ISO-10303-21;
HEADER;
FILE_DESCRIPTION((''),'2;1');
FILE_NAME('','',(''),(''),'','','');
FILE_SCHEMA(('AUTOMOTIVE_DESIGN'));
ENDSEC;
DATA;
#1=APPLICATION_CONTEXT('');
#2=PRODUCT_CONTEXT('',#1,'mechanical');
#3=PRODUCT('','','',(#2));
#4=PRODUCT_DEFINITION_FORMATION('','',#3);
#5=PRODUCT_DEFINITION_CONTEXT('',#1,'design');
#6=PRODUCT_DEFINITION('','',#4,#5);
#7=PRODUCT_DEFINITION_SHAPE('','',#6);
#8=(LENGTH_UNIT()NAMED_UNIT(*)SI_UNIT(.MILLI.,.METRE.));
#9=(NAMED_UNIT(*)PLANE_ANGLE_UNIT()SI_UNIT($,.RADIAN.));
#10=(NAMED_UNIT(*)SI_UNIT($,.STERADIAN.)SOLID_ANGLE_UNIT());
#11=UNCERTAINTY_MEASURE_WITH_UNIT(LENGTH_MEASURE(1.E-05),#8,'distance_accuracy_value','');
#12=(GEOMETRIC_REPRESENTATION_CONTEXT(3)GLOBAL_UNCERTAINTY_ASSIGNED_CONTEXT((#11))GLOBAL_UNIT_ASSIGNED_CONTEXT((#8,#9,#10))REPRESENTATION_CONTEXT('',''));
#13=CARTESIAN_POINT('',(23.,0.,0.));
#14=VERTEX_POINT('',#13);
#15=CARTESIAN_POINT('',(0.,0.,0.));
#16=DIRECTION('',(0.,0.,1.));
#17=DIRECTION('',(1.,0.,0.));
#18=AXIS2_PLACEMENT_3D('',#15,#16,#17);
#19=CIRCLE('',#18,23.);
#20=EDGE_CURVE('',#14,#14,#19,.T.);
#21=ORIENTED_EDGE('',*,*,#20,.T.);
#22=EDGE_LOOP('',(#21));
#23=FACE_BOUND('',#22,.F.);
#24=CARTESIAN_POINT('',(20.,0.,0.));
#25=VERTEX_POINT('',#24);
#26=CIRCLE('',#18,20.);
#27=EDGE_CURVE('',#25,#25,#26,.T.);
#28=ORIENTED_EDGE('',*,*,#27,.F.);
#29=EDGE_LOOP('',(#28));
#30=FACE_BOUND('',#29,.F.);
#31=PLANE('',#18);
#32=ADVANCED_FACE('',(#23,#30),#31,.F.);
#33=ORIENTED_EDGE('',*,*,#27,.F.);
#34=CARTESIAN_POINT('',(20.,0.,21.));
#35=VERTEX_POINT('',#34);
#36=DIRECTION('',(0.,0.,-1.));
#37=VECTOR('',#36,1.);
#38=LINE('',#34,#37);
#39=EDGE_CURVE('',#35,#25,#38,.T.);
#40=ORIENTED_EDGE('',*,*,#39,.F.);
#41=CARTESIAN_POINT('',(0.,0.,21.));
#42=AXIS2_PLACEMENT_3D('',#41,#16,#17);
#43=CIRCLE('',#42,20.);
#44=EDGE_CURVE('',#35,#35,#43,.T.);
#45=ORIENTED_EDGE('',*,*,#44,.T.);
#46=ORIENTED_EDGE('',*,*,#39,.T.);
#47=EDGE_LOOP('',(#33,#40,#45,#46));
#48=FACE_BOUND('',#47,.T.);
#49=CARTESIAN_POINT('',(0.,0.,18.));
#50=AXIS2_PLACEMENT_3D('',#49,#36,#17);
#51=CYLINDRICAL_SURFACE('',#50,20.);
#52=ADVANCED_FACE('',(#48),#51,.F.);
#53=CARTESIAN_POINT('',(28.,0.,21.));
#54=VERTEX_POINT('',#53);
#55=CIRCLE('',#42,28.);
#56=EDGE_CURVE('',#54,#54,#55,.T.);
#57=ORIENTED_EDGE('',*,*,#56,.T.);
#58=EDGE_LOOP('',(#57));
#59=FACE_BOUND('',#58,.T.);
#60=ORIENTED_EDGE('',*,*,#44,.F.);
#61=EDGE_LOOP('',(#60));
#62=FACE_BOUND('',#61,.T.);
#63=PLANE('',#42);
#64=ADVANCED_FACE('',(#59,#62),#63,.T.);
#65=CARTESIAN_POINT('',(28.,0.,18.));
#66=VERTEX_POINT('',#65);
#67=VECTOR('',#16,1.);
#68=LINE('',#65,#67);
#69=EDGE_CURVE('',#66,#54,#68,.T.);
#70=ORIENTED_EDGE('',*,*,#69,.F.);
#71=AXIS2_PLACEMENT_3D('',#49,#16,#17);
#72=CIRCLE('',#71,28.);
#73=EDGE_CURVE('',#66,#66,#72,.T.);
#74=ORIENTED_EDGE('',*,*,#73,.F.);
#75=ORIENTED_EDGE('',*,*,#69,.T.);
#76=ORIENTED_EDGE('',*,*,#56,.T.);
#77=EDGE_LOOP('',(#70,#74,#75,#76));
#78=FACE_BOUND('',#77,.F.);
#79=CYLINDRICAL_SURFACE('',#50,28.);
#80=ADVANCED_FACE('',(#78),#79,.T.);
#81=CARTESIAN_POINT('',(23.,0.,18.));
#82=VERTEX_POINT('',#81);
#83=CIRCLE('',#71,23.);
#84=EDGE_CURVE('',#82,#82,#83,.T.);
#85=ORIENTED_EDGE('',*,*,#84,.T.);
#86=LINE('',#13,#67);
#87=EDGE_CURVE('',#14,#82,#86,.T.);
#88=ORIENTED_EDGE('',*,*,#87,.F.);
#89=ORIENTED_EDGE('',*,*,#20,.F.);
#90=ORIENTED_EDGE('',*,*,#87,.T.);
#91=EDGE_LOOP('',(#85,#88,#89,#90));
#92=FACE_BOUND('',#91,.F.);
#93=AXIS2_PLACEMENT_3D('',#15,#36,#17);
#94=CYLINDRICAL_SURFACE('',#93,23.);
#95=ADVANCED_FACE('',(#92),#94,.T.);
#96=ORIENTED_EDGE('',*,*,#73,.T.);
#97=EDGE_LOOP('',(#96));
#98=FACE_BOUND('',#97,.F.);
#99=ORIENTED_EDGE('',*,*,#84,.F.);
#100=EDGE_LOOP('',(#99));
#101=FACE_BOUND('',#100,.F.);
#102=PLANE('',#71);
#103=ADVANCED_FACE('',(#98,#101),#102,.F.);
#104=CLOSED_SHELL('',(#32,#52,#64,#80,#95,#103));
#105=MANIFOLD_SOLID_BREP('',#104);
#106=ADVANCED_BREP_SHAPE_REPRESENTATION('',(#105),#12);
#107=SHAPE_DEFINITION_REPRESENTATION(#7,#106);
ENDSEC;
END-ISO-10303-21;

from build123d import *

# Parameters (mm, degrees)
SKETCH_R      = 23
SKETCH_R_2    = 20
PAD_DEPTH     = 18
SKETCH001_R   = 28
SKETCH001_R_2 = 20
PAD001_DEPTH  = 3


with BuildPart() as part:
    # Sketch → Pad (new body)
    with BuildSketch(Plane.XY):
        Circle(SKETCH_R)
        Circle(SKETCH_R_2, mode=Mode.SUBTRACT)
    extrude(amount=PAD_DEPTH)

    # Sketch001 (on Face4 of Pad) → Pad001 (join)
    with BuildSketch(Plane.XY.offset(18)):
        Circle(SKETCH001_R)
        Circle(SKETCH001_R_2, mode=Mode.SUBTRACT)
    extrude(amount=PAD001_DEPTH)


solid = part.part
